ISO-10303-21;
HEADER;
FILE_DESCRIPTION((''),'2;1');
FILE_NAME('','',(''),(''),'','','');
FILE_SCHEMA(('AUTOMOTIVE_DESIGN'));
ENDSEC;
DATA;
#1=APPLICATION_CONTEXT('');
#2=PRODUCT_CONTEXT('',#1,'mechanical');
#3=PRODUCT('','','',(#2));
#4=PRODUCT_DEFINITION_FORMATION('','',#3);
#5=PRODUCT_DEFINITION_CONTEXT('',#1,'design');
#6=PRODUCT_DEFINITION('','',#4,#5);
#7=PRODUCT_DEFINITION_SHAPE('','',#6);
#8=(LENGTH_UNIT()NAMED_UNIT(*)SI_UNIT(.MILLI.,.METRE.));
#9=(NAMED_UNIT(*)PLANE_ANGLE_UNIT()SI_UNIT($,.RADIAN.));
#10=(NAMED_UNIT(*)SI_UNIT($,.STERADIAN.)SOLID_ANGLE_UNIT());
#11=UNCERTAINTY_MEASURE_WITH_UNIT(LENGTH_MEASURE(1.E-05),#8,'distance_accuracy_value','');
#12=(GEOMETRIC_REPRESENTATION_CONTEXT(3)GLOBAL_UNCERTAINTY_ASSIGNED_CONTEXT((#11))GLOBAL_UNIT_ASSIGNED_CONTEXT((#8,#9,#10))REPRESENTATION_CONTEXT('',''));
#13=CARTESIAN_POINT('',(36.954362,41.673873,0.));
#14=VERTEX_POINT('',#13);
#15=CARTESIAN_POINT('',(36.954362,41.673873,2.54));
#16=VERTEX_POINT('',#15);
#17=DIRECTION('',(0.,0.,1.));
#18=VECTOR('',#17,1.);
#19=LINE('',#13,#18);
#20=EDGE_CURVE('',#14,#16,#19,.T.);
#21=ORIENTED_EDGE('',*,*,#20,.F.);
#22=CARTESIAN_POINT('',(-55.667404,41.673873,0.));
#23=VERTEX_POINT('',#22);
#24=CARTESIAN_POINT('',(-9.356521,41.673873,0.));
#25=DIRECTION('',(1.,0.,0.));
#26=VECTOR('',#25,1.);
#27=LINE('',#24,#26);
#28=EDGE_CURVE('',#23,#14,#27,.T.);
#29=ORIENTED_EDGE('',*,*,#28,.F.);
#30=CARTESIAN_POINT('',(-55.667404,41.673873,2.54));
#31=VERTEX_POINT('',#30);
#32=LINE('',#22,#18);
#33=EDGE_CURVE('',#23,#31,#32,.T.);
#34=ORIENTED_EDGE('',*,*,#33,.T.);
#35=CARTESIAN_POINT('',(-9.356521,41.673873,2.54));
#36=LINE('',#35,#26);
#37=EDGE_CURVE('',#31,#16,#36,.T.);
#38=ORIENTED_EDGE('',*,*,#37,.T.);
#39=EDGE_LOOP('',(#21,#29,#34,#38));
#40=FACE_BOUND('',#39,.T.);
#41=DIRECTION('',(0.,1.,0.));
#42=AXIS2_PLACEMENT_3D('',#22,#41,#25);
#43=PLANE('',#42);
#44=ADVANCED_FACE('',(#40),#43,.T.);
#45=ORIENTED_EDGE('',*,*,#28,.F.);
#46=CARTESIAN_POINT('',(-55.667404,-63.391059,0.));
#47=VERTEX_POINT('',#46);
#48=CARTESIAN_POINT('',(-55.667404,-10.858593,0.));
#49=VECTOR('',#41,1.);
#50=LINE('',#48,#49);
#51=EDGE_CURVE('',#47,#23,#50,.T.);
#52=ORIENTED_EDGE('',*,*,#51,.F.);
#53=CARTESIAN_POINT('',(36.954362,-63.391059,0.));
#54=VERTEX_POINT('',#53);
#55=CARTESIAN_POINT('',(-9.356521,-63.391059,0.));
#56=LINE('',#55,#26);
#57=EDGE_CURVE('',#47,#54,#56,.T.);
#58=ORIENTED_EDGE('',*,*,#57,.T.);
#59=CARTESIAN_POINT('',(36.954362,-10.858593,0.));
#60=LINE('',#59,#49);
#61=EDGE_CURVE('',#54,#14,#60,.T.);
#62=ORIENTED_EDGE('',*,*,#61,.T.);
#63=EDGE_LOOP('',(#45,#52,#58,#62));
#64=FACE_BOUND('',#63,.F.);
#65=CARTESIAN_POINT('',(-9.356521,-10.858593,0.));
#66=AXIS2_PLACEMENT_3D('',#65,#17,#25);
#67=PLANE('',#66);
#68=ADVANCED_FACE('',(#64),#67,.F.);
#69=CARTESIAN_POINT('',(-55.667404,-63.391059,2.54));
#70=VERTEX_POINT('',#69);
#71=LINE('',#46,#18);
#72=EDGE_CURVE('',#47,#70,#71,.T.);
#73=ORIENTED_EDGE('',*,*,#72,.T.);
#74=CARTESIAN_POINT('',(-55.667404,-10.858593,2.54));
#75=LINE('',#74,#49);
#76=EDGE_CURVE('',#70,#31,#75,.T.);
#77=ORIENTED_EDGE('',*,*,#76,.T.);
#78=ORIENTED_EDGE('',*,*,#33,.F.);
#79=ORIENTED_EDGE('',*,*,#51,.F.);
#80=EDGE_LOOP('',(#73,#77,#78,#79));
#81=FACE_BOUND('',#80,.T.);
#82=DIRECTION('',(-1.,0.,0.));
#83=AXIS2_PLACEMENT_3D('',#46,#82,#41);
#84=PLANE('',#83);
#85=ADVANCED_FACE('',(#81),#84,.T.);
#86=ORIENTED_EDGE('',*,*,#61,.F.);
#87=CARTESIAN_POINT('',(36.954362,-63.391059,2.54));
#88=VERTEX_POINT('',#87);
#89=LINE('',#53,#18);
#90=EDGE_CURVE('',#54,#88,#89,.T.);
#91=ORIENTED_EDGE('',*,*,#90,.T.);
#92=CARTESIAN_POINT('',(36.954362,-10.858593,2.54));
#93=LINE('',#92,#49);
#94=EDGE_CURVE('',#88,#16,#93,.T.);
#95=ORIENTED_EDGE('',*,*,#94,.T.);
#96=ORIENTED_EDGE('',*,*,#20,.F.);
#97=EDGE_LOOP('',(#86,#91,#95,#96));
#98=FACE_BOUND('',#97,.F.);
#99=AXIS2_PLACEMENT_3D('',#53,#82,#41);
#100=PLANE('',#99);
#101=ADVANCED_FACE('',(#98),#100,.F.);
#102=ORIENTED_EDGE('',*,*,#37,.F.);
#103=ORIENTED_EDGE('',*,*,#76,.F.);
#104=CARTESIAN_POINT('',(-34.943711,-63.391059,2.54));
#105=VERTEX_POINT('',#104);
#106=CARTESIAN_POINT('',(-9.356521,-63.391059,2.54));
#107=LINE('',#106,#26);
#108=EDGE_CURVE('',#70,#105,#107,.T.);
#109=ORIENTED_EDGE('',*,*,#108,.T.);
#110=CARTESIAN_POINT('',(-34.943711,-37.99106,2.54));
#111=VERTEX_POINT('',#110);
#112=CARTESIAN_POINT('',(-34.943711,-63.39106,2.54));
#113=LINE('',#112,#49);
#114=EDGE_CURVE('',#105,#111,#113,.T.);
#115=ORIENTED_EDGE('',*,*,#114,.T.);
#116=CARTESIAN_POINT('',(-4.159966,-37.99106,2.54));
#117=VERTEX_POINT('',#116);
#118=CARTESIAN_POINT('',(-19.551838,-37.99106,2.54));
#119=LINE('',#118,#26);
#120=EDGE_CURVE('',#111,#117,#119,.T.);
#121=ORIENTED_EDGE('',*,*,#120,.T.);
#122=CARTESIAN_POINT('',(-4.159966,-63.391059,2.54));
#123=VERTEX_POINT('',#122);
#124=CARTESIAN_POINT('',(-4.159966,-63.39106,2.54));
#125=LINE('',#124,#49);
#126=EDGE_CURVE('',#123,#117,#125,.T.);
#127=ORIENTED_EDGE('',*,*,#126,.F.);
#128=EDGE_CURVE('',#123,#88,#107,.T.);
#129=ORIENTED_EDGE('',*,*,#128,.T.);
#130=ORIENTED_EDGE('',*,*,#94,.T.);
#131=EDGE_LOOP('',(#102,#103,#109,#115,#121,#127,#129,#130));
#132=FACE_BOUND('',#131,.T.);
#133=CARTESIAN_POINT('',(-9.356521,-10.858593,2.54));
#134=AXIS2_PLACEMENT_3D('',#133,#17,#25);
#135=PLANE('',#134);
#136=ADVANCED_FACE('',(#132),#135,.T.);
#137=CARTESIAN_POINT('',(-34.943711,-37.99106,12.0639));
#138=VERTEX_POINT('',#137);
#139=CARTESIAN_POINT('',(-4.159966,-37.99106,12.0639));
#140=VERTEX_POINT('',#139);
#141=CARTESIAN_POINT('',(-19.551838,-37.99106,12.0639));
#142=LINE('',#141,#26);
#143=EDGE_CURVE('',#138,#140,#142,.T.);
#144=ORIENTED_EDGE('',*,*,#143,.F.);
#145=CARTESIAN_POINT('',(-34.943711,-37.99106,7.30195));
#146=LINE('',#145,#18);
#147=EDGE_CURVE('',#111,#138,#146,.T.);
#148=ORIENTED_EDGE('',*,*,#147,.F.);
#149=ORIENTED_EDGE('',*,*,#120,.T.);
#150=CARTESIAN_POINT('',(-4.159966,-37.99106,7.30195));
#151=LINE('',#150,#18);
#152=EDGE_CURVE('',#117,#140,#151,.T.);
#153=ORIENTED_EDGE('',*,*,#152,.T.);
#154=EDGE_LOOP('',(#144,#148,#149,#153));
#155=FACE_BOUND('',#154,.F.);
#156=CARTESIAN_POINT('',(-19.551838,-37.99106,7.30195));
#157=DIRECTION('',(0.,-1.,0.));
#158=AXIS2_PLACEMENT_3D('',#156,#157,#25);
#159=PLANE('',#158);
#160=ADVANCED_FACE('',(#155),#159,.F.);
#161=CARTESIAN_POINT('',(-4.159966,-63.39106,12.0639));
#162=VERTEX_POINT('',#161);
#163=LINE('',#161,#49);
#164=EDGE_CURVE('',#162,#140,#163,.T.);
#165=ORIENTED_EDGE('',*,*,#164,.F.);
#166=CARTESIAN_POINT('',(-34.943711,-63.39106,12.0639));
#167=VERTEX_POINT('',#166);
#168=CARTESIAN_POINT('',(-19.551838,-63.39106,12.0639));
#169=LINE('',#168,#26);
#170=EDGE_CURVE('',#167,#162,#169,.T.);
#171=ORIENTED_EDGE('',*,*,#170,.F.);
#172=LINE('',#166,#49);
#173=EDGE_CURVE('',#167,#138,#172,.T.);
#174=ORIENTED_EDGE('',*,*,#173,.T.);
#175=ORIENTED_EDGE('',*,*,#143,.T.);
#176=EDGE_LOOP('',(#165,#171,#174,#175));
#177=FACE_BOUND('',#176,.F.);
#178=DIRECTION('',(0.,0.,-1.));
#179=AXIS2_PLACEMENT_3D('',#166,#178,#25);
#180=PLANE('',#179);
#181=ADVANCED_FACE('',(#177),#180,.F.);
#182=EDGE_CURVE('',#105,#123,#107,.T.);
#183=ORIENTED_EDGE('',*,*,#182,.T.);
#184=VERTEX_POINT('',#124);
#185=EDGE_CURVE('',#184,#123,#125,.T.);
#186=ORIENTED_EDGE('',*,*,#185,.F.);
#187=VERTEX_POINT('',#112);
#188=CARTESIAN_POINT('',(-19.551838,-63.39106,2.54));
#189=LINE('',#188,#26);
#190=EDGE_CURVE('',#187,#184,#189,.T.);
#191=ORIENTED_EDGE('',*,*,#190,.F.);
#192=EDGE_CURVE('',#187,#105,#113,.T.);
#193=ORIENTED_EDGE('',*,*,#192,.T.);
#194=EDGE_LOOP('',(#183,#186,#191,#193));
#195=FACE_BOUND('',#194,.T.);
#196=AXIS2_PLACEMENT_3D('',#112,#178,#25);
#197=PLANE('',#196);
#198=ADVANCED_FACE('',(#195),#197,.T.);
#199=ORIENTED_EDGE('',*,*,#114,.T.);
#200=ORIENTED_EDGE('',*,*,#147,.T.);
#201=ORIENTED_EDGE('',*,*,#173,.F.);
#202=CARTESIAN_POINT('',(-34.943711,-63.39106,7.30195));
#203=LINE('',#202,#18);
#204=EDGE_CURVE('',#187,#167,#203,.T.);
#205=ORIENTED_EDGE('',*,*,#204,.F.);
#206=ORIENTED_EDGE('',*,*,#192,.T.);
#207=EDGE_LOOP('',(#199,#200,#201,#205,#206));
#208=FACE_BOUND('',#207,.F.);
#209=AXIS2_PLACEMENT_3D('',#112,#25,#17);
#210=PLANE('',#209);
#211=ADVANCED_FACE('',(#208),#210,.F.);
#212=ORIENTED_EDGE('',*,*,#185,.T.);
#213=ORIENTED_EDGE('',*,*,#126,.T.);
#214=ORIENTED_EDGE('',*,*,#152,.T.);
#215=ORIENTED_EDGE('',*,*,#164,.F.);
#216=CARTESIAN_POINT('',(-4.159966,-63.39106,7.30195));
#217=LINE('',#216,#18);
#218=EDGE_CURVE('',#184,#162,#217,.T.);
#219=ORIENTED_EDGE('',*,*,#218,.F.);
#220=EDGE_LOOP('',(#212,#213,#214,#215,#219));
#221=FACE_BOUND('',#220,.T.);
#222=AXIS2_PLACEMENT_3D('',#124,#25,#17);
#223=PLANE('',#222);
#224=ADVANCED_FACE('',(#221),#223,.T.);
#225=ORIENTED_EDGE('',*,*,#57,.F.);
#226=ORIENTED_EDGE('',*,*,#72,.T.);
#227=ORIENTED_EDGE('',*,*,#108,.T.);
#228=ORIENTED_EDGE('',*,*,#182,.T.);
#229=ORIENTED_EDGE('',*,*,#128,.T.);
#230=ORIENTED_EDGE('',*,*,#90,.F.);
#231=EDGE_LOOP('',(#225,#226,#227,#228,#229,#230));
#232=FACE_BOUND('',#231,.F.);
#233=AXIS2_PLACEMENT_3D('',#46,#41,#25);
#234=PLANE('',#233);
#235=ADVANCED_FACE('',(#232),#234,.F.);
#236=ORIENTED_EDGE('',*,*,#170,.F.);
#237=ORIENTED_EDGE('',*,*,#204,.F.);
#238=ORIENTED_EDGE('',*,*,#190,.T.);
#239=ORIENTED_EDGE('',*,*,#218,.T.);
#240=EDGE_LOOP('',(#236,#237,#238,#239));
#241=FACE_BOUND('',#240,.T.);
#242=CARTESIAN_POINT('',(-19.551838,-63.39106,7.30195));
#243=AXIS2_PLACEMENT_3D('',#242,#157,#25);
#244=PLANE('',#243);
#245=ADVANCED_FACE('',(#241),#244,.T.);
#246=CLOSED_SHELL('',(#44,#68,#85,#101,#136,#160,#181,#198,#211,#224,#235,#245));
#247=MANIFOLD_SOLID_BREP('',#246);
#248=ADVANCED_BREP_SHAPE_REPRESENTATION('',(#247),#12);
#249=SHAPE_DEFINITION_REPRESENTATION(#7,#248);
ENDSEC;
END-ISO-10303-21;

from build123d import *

# Parameters (mm, degrees)
F0_W     = 92.621766
F0_H     = 105.064933
F1_DEPTH = 2.54
F2_W     = 30.783745
F2_H     = 9.5239
F3_DEPTH = 25.4


with BuildPart() as f1:
    # F0 (on Top) → F1 (new body)
    with BuildSketch(Plane.XY):
        with Locations((-9.356521, -10.858593)):
            Rectangle(F0_W, F0_H)
    extrude(amount=F1_DEPTH)

    # F2 (on face) → F3 (join)
    with BuildSketch(Plane.XZ.offset(63.39106)):
        with Locations((-19.551838, 7.30195)):
            Rectangle(F2_W, F2_H)
    extrude(amount=-F3_DEPTH)


solid = f1.part
